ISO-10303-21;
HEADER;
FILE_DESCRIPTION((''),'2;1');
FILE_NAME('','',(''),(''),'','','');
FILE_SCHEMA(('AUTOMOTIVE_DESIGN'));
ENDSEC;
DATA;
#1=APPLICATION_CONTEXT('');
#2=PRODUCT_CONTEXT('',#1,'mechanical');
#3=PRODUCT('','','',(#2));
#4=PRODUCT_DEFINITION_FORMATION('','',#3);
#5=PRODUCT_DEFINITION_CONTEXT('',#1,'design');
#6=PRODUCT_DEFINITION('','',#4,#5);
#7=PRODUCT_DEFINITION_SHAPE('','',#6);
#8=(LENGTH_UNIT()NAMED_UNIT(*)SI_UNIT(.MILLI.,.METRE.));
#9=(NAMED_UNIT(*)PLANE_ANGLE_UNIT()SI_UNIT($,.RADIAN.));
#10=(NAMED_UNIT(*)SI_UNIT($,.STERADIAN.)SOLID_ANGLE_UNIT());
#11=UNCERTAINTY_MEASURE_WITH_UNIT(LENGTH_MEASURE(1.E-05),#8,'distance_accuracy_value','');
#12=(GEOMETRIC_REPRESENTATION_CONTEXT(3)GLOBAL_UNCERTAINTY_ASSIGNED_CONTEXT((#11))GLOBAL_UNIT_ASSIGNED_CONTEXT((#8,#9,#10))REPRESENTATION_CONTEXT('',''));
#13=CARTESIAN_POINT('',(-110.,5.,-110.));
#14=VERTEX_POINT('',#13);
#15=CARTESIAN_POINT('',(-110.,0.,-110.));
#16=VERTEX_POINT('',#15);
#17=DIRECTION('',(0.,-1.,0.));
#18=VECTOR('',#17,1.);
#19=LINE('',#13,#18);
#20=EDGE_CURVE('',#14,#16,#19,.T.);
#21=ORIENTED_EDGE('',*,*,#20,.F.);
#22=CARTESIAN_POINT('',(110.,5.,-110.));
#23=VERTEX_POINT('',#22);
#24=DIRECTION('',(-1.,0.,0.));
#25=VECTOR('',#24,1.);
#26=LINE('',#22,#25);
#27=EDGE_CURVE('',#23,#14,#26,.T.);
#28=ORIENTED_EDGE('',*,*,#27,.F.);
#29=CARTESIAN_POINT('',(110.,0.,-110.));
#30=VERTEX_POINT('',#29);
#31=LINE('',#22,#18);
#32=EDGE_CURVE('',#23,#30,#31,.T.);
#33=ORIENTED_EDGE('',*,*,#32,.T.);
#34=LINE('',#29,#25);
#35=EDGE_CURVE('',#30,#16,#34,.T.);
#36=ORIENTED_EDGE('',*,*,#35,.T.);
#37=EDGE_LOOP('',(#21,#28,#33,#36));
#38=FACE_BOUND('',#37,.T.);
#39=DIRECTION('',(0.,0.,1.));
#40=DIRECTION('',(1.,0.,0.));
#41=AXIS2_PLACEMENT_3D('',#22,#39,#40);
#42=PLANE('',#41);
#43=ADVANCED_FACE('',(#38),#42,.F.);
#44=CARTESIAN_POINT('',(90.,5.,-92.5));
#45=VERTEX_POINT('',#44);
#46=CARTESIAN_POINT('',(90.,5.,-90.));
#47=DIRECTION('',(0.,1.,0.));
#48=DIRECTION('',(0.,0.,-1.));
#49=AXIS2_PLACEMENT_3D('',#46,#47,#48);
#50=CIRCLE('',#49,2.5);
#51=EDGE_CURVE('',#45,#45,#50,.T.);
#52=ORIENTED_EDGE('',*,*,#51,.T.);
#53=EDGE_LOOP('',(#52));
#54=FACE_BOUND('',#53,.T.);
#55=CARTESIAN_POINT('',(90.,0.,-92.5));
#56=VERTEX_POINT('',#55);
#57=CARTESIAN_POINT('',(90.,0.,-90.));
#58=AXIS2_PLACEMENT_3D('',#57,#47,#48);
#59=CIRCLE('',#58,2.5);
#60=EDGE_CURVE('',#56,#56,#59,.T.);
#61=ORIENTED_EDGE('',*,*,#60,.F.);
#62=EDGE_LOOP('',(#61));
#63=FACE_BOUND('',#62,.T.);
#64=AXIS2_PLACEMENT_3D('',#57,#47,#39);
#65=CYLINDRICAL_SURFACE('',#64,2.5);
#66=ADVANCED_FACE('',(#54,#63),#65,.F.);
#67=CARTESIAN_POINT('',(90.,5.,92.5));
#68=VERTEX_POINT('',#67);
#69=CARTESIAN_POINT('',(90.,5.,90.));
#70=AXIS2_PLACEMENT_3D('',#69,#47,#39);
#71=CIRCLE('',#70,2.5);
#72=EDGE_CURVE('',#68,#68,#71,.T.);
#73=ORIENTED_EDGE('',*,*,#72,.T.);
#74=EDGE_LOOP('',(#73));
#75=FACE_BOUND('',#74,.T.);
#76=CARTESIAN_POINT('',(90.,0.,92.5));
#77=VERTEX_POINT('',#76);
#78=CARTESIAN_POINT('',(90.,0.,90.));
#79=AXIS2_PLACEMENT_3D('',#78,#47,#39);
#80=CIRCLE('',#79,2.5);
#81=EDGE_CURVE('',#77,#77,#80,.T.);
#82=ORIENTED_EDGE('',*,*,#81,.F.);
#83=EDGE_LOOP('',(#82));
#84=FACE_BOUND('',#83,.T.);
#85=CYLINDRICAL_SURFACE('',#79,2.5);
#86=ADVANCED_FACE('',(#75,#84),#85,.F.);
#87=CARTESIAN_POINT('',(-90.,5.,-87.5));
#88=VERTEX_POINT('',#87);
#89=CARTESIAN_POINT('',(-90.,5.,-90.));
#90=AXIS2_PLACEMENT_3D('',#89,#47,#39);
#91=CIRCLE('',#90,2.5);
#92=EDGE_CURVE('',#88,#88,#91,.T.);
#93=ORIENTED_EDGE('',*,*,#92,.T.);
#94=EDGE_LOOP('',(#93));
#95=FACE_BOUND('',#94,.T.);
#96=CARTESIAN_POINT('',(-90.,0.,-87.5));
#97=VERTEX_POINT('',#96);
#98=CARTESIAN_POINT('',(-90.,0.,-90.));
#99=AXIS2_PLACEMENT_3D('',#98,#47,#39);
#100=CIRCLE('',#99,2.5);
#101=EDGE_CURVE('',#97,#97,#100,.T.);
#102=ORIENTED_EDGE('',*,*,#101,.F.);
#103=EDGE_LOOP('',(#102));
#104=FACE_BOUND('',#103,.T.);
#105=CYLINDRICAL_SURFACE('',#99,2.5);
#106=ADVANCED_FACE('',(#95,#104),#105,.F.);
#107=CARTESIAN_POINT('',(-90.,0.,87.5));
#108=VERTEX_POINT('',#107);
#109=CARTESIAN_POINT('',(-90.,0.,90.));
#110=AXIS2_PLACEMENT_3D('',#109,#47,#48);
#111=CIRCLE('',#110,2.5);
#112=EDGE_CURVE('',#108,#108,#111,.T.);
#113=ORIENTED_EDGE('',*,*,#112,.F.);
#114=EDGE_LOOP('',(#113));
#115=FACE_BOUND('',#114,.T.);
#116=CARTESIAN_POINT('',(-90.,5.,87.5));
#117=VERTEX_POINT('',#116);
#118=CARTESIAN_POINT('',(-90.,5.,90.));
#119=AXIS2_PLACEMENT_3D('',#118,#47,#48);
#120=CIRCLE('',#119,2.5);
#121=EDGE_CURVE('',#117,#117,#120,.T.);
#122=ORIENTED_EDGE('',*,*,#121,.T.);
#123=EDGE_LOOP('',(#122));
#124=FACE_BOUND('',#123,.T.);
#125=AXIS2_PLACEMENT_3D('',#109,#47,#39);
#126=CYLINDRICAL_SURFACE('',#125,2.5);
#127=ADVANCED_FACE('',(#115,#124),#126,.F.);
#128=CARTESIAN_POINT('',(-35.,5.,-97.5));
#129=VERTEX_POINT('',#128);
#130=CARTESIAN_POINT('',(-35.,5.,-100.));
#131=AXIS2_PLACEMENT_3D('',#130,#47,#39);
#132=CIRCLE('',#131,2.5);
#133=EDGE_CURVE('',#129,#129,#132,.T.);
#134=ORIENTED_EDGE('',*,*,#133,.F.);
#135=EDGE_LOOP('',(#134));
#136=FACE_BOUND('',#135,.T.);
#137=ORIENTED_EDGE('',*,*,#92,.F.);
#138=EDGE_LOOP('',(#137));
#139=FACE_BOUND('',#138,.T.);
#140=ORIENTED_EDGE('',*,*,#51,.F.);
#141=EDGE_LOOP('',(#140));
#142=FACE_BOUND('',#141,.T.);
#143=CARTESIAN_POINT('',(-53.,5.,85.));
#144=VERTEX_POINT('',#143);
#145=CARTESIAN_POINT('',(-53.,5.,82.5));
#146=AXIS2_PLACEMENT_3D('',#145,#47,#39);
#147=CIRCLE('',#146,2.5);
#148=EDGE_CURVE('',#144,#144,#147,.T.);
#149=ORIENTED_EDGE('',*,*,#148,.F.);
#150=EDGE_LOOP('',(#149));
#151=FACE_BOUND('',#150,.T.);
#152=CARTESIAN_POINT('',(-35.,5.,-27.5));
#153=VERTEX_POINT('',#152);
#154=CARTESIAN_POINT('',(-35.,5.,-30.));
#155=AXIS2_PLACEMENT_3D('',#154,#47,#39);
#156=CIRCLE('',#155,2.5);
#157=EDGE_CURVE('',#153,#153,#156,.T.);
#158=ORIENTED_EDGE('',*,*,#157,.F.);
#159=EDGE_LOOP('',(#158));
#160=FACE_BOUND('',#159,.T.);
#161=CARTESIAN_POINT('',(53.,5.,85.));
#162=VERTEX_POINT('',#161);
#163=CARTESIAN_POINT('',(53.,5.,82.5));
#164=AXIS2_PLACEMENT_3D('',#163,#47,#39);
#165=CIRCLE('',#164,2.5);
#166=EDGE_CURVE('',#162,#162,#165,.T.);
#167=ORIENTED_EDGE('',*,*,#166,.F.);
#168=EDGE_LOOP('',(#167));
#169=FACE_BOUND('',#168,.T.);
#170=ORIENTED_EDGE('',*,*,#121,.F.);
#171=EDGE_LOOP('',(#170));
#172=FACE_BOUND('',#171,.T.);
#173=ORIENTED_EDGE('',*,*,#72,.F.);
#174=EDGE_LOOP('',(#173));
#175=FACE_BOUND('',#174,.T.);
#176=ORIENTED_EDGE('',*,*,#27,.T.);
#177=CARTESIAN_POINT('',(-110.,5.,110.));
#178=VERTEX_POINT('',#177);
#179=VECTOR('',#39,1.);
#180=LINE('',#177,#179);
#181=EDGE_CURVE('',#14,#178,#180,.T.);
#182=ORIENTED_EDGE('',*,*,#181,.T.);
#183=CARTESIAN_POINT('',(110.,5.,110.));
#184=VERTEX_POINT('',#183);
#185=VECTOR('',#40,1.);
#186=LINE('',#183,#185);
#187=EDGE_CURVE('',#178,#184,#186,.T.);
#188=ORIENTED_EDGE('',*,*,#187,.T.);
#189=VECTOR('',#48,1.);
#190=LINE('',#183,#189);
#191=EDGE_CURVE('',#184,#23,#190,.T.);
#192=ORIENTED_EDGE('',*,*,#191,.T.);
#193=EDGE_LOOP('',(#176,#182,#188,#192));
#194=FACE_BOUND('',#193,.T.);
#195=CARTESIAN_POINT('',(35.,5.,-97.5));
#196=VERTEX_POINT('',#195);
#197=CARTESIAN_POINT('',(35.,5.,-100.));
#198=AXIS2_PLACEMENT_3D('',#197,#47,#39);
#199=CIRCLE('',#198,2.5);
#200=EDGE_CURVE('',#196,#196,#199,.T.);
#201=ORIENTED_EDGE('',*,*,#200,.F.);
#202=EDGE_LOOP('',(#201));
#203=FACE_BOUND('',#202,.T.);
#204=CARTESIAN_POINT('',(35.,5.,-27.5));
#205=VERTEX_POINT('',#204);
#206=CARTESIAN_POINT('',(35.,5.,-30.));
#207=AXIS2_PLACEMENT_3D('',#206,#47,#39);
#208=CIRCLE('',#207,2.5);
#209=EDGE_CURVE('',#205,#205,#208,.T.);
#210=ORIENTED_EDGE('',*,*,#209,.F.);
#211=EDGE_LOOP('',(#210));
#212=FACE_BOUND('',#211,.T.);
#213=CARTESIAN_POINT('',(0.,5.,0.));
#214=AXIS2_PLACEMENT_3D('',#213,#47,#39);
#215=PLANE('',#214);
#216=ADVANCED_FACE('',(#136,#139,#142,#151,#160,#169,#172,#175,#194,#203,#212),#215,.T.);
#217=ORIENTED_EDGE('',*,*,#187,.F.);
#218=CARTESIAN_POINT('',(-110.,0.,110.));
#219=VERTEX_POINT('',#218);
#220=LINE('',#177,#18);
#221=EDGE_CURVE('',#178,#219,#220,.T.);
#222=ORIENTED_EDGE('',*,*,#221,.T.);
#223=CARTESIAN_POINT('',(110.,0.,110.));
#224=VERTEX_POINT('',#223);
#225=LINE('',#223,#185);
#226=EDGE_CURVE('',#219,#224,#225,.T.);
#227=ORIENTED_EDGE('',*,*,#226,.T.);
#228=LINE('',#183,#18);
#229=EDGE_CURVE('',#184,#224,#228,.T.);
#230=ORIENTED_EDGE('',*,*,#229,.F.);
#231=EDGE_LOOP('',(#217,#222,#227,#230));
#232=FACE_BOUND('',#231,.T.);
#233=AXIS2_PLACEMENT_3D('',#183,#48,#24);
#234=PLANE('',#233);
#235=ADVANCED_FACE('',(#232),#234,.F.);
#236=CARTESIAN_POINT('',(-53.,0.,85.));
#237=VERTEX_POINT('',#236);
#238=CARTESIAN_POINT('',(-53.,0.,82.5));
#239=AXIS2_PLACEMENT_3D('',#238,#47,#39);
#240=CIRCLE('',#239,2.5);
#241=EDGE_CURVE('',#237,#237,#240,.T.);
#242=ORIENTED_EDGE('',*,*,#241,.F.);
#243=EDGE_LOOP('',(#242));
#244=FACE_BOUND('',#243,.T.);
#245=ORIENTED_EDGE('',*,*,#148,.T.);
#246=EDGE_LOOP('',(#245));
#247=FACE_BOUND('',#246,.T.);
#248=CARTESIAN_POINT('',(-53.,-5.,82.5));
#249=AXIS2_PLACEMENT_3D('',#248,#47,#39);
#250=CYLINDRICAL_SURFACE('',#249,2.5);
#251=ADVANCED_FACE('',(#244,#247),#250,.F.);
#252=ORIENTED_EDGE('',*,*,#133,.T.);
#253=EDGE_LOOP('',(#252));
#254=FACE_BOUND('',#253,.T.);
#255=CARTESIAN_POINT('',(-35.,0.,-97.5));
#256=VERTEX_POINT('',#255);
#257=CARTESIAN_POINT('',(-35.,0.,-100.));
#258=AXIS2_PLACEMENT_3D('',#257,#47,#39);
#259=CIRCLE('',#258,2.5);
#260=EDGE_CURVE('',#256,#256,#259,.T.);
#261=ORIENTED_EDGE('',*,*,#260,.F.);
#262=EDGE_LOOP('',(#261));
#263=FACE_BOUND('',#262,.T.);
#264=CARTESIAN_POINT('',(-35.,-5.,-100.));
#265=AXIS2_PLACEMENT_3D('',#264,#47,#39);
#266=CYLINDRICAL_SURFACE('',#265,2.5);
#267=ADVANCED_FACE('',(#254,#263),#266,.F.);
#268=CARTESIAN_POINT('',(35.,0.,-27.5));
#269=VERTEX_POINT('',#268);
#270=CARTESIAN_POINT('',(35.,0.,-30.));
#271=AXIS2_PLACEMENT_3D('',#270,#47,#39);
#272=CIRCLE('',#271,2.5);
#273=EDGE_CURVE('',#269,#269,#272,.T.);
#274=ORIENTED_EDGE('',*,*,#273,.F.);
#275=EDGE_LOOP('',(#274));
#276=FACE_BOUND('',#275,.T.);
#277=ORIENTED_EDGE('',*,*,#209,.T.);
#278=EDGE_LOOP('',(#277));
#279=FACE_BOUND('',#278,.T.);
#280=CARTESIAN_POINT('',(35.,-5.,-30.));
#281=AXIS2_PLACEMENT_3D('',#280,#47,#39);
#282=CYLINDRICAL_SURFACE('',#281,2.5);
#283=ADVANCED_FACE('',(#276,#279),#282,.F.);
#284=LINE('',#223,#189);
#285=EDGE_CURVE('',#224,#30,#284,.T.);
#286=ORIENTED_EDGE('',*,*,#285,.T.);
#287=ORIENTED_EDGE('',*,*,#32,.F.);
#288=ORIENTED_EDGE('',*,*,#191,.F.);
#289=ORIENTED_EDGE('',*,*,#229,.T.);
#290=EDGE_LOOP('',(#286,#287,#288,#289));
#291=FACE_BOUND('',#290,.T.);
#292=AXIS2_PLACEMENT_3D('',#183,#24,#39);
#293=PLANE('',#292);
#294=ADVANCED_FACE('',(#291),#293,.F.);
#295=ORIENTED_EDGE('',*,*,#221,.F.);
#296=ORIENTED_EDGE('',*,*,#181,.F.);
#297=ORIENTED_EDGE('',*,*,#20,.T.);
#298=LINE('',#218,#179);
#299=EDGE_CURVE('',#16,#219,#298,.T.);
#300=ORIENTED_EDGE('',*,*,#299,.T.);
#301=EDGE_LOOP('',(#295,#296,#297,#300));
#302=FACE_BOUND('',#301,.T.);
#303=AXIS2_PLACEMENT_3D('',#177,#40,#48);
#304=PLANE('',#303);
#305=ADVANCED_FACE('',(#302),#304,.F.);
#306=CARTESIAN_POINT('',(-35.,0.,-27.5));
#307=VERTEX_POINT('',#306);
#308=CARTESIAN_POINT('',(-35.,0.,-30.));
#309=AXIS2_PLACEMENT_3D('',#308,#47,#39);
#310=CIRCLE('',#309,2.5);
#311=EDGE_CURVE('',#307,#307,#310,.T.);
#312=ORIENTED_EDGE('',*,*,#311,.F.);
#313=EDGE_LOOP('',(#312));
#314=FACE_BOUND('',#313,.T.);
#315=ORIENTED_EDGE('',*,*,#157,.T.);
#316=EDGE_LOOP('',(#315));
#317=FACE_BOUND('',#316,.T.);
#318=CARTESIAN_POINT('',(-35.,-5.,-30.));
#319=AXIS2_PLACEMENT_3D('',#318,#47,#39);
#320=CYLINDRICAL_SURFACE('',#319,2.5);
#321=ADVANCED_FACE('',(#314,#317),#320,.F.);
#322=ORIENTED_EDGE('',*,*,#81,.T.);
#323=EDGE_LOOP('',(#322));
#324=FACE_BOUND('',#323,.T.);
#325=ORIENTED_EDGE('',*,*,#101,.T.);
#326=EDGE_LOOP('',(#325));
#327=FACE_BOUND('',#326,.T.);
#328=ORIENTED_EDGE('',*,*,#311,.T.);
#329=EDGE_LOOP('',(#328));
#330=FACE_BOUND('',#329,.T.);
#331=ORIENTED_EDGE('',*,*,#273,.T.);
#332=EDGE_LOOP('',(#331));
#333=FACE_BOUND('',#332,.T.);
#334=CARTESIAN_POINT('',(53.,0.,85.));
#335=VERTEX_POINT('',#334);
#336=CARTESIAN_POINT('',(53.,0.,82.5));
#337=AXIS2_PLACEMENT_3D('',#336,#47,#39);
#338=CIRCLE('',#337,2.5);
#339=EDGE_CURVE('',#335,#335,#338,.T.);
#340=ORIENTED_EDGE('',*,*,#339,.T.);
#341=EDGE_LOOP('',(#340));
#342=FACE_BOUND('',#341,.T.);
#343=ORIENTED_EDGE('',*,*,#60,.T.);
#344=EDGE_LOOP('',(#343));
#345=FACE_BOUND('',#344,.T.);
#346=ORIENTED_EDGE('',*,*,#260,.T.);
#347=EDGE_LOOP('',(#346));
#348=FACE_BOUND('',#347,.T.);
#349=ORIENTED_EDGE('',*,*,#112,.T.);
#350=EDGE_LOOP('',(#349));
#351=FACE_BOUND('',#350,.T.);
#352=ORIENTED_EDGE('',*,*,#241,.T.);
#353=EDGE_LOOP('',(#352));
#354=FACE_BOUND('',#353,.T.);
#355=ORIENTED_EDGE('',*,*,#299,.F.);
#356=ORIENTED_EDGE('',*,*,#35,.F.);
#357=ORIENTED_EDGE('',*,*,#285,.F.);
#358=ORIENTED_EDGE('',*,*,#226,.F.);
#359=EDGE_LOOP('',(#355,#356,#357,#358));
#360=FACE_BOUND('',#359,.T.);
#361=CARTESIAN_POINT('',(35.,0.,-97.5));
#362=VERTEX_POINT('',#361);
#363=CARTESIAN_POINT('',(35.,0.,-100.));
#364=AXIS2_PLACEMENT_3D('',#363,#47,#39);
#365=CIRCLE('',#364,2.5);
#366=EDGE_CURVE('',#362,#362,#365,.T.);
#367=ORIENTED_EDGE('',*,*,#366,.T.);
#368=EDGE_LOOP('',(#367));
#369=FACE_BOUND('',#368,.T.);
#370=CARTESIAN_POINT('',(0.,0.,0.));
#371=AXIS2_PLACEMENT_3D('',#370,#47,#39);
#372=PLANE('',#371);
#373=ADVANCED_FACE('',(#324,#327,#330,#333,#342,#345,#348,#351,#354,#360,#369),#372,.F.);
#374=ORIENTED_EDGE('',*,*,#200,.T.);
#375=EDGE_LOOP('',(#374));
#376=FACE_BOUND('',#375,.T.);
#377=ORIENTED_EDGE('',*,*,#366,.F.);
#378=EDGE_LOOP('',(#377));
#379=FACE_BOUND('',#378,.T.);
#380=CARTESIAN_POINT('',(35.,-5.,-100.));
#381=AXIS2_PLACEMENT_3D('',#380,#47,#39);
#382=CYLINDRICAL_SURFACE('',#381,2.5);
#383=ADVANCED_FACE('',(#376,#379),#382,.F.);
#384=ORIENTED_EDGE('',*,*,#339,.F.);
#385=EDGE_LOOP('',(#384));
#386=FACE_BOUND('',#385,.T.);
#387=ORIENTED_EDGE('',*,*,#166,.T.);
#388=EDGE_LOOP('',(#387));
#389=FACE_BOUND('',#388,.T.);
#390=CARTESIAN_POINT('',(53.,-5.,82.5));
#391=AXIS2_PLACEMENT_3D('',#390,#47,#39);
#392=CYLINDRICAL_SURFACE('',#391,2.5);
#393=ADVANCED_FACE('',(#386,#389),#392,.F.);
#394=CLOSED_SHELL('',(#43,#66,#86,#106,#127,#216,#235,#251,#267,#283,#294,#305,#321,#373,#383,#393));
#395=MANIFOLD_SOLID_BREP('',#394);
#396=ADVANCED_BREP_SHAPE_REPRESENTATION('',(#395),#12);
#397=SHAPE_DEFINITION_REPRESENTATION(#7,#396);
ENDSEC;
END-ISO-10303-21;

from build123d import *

# Parameters (mm, degrees)
CROQUIS1_W              = 220
CROQUIS1_H              = 220
SALIENTE_EXTRUIR1_DEPTH = 5
CROQUIS2_R              = 2.5
CORTAR_EXTRUIR1_DEPTH   = 156.643824163
CROQUIS3_R              = 2.5
CORTAR_EXTRUIR2_DEPTH   = 10


with BuildPart() as part:
    # Croquis1 → Saliente-Extruir1 (new body)
    with BuildSketch(Plane(origin=(0, 0, 0), x_dir=(1, 0, 0), z_dir=(0, 1, 0))):
        Rectangle(CROQUIS1_W, CROQUIS1_H)
    extrude(amount=SALIENTE_EXTRUIR1_DEPTH)

    # Croquis2 → Cortar-Extruir1 (cut, through all)
    with BuildSketch(Plane(origin=(0, 5, 0), x_dir=(1, 0, 0), z_dir=(0, 1, 0))):
        with Locations(Location((-90, 90, 0), (0, 0, 270))):
            Circle(CROQUIS2_R)
        with Locations(Location((90, 90, 0), (0, 0, 90))):
            Circle(CROQUIS2_R)
        with Locations(Location((90, -90, 0), (0, 0, 270))):
            Circle(CROQUIS2_R)
        with Locations(Location((-90, -90, 0), (0, 0, 90))):
            Circle(CROQUIS2_R)
    extrude(amount=-CORTAR_EXTRUIR1_DEPTH, mode=Mode.SUBTRACT)

    # Croquis3 → Cortar-Extruir2 (cut)
    with BuildSketch(Plane(origin=(0, 5, 0), x_dir=(1, 0, 0), z_dir=(0, 1, 0))):
        with Locations(Location((-35, 100, 0), (0, 0, 270))):
            Circle(CROQUIS3_R)
        with Locations(Location((35, 100, 0), (0, 0, 270))):
            Circle(CROQUIS3_R)
        with Locations(Location((-35, 30, 0), (0, 0, 270))):
            Circle(CROQUIS3_R)
        with Locations(Location((35, 30, 0), (0, 0, 270))):
            Circle(CROQUIS3_R)
        with Locations(Location((-53, -82.5, 0), (0, 0, 270))):
            Circle(CROQUIS3_R)
        with Locations(Location((53, -82.5, 0), (0, 0, 270))):
            Circle(CROQUIS3_R)
    extrude(amount=-CORTAR_EXTRUIR2_DEPTH, mode=Mode.SUBTRACT)


solid = part.part
